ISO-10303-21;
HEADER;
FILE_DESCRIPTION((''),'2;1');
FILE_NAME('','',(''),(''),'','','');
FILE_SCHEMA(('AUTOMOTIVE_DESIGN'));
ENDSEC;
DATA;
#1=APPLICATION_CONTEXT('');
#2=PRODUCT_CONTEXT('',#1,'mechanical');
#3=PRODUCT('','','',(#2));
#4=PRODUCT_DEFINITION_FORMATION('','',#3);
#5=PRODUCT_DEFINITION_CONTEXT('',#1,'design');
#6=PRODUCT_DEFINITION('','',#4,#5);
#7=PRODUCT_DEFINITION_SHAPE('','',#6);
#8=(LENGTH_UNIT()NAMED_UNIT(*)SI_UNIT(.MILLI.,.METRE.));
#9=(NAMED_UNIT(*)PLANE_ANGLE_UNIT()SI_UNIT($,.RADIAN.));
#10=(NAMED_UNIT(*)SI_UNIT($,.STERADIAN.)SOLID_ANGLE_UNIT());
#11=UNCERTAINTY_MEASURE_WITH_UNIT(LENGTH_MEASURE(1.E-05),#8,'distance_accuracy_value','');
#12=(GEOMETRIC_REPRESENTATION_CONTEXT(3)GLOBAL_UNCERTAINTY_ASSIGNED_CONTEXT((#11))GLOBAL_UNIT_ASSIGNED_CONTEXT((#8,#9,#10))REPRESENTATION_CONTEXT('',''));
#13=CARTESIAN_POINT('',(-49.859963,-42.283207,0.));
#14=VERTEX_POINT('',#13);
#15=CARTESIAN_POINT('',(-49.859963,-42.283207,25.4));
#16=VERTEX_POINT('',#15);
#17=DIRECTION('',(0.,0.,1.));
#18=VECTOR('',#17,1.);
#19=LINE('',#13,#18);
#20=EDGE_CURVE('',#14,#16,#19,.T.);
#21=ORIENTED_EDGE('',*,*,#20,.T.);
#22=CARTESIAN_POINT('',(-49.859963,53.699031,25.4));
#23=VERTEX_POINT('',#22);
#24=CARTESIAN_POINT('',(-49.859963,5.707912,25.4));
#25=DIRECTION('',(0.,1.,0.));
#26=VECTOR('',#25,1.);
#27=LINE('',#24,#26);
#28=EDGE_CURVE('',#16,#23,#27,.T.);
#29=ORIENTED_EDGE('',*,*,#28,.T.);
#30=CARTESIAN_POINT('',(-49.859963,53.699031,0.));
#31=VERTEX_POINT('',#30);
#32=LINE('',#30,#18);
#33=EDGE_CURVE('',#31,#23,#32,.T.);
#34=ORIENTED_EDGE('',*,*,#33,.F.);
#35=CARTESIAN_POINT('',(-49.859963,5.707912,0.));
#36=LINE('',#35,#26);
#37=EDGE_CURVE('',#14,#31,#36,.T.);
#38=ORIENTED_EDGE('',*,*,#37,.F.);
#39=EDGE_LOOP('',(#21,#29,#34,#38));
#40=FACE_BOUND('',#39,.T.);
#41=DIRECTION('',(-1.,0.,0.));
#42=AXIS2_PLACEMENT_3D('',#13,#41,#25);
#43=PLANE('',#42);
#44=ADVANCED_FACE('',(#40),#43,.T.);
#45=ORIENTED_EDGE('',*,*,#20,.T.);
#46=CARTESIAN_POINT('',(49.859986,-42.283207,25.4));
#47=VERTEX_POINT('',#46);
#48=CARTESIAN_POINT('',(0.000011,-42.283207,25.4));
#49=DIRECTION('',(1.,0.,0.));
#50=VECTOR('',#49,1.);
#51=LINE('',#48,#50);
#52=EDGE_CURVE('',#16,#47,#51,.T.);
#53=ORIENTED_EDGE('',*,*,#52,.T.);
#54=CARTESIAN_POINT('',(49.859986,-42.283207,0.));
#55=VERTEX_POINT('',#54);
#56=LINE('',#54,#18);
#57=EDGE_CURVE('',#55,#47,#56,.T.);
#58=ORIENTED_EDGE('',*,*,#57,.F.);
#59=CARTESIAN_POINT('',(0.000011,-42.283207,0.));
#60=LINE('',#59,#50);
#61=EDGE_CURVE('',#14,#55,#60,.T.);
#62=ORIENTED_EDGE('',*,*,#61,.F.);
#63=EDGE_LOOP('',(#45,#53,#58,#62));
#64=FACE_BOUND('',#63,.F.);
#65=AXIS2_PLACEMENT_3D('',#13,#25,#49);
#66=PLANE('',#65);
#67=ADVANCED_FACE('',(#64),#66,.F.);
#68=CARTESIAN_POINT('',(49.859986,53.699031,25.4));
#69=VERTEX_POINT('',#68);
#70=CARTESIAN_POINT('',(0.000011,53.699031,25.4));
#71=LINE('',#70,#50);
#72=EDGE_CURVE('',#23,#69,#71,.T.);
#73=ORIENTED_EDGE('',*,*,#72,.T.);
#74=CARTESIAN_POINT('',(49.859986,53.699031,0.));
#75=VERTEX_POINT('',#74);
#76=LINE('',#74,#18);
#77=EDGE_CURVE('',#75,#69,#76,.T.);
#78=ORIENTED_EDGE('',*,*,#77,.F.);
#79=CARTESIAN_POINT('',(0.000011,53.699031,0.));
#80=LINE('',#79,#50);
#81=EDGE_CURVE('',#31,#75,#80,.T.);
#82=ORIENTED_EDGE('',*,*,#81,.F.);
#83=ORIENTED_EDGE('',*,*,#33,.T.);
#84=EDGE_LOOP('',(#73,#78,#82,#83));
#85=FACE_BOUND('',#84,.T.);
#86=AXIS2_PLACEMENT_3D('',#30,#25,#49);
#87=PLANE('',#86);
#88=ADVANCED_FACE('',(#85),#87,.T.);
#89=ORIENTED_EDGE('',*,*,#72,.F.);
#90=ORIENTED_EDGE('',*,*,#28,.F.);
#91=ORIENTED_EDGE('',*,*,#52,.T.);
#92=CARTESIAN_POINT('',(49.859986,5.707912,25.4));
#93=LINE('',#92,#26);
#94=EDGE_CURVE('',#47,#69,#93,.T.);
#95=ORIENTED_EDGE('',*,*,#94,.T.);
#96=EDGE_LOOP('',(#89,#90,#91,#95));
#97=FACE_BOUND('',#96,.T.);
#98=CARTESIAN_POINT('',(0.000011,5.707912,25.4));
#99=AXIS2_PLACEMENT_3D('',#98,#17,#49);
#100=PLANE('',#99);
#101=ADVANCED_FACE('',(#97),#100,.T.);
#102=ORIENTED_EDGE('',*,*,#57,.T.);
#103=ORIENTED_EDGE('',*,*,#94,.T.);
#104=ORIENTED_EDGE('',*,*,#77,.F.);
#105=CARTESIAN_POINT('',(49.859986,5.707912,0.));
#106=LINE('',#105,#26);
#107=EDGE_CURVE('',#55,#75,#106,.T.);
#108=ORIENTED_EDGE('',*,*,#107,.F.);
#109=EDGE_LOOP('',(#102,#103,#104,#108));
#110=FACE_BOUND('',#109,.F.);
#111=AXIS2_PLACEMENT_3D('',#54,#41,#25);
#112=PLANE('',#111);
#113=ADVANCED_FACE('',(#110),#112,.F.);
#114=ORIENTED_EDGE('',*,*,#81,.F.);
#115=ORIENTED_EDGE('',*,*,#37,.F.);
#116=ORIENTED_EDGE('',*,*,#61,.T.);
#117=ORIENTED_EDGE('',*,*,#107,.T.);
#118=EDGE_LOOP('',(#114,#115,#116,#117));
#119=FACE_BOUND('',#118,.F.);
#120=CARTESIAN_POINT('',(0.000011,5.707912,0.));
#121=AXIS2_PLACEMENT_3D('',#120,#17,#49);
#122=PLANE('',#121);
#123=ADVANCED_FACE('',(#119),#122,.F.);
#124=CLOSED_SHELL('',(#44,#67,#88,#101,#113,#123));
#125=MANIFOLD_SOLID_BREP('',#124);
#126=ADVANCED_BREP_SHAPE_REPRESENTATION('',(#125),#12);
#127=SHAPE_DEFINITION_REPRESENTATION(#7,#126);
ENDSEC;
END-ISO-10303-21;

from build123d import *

# Parameters (mm, degrees)
F0_W     = 99.719949
F0_H     = 95.982238
F1_DEPTH = 25.4


with BuildPart() as f1:
    # F0 (on Top) → F1 (new body)
    with BuildSketch(Plane.XY):
        with Locations((1.1e-05, 5.707912)):
            Rectangle(F0_W, F0_H)
    extrude(amount=F1_DEPTH)


solid = f1.part
